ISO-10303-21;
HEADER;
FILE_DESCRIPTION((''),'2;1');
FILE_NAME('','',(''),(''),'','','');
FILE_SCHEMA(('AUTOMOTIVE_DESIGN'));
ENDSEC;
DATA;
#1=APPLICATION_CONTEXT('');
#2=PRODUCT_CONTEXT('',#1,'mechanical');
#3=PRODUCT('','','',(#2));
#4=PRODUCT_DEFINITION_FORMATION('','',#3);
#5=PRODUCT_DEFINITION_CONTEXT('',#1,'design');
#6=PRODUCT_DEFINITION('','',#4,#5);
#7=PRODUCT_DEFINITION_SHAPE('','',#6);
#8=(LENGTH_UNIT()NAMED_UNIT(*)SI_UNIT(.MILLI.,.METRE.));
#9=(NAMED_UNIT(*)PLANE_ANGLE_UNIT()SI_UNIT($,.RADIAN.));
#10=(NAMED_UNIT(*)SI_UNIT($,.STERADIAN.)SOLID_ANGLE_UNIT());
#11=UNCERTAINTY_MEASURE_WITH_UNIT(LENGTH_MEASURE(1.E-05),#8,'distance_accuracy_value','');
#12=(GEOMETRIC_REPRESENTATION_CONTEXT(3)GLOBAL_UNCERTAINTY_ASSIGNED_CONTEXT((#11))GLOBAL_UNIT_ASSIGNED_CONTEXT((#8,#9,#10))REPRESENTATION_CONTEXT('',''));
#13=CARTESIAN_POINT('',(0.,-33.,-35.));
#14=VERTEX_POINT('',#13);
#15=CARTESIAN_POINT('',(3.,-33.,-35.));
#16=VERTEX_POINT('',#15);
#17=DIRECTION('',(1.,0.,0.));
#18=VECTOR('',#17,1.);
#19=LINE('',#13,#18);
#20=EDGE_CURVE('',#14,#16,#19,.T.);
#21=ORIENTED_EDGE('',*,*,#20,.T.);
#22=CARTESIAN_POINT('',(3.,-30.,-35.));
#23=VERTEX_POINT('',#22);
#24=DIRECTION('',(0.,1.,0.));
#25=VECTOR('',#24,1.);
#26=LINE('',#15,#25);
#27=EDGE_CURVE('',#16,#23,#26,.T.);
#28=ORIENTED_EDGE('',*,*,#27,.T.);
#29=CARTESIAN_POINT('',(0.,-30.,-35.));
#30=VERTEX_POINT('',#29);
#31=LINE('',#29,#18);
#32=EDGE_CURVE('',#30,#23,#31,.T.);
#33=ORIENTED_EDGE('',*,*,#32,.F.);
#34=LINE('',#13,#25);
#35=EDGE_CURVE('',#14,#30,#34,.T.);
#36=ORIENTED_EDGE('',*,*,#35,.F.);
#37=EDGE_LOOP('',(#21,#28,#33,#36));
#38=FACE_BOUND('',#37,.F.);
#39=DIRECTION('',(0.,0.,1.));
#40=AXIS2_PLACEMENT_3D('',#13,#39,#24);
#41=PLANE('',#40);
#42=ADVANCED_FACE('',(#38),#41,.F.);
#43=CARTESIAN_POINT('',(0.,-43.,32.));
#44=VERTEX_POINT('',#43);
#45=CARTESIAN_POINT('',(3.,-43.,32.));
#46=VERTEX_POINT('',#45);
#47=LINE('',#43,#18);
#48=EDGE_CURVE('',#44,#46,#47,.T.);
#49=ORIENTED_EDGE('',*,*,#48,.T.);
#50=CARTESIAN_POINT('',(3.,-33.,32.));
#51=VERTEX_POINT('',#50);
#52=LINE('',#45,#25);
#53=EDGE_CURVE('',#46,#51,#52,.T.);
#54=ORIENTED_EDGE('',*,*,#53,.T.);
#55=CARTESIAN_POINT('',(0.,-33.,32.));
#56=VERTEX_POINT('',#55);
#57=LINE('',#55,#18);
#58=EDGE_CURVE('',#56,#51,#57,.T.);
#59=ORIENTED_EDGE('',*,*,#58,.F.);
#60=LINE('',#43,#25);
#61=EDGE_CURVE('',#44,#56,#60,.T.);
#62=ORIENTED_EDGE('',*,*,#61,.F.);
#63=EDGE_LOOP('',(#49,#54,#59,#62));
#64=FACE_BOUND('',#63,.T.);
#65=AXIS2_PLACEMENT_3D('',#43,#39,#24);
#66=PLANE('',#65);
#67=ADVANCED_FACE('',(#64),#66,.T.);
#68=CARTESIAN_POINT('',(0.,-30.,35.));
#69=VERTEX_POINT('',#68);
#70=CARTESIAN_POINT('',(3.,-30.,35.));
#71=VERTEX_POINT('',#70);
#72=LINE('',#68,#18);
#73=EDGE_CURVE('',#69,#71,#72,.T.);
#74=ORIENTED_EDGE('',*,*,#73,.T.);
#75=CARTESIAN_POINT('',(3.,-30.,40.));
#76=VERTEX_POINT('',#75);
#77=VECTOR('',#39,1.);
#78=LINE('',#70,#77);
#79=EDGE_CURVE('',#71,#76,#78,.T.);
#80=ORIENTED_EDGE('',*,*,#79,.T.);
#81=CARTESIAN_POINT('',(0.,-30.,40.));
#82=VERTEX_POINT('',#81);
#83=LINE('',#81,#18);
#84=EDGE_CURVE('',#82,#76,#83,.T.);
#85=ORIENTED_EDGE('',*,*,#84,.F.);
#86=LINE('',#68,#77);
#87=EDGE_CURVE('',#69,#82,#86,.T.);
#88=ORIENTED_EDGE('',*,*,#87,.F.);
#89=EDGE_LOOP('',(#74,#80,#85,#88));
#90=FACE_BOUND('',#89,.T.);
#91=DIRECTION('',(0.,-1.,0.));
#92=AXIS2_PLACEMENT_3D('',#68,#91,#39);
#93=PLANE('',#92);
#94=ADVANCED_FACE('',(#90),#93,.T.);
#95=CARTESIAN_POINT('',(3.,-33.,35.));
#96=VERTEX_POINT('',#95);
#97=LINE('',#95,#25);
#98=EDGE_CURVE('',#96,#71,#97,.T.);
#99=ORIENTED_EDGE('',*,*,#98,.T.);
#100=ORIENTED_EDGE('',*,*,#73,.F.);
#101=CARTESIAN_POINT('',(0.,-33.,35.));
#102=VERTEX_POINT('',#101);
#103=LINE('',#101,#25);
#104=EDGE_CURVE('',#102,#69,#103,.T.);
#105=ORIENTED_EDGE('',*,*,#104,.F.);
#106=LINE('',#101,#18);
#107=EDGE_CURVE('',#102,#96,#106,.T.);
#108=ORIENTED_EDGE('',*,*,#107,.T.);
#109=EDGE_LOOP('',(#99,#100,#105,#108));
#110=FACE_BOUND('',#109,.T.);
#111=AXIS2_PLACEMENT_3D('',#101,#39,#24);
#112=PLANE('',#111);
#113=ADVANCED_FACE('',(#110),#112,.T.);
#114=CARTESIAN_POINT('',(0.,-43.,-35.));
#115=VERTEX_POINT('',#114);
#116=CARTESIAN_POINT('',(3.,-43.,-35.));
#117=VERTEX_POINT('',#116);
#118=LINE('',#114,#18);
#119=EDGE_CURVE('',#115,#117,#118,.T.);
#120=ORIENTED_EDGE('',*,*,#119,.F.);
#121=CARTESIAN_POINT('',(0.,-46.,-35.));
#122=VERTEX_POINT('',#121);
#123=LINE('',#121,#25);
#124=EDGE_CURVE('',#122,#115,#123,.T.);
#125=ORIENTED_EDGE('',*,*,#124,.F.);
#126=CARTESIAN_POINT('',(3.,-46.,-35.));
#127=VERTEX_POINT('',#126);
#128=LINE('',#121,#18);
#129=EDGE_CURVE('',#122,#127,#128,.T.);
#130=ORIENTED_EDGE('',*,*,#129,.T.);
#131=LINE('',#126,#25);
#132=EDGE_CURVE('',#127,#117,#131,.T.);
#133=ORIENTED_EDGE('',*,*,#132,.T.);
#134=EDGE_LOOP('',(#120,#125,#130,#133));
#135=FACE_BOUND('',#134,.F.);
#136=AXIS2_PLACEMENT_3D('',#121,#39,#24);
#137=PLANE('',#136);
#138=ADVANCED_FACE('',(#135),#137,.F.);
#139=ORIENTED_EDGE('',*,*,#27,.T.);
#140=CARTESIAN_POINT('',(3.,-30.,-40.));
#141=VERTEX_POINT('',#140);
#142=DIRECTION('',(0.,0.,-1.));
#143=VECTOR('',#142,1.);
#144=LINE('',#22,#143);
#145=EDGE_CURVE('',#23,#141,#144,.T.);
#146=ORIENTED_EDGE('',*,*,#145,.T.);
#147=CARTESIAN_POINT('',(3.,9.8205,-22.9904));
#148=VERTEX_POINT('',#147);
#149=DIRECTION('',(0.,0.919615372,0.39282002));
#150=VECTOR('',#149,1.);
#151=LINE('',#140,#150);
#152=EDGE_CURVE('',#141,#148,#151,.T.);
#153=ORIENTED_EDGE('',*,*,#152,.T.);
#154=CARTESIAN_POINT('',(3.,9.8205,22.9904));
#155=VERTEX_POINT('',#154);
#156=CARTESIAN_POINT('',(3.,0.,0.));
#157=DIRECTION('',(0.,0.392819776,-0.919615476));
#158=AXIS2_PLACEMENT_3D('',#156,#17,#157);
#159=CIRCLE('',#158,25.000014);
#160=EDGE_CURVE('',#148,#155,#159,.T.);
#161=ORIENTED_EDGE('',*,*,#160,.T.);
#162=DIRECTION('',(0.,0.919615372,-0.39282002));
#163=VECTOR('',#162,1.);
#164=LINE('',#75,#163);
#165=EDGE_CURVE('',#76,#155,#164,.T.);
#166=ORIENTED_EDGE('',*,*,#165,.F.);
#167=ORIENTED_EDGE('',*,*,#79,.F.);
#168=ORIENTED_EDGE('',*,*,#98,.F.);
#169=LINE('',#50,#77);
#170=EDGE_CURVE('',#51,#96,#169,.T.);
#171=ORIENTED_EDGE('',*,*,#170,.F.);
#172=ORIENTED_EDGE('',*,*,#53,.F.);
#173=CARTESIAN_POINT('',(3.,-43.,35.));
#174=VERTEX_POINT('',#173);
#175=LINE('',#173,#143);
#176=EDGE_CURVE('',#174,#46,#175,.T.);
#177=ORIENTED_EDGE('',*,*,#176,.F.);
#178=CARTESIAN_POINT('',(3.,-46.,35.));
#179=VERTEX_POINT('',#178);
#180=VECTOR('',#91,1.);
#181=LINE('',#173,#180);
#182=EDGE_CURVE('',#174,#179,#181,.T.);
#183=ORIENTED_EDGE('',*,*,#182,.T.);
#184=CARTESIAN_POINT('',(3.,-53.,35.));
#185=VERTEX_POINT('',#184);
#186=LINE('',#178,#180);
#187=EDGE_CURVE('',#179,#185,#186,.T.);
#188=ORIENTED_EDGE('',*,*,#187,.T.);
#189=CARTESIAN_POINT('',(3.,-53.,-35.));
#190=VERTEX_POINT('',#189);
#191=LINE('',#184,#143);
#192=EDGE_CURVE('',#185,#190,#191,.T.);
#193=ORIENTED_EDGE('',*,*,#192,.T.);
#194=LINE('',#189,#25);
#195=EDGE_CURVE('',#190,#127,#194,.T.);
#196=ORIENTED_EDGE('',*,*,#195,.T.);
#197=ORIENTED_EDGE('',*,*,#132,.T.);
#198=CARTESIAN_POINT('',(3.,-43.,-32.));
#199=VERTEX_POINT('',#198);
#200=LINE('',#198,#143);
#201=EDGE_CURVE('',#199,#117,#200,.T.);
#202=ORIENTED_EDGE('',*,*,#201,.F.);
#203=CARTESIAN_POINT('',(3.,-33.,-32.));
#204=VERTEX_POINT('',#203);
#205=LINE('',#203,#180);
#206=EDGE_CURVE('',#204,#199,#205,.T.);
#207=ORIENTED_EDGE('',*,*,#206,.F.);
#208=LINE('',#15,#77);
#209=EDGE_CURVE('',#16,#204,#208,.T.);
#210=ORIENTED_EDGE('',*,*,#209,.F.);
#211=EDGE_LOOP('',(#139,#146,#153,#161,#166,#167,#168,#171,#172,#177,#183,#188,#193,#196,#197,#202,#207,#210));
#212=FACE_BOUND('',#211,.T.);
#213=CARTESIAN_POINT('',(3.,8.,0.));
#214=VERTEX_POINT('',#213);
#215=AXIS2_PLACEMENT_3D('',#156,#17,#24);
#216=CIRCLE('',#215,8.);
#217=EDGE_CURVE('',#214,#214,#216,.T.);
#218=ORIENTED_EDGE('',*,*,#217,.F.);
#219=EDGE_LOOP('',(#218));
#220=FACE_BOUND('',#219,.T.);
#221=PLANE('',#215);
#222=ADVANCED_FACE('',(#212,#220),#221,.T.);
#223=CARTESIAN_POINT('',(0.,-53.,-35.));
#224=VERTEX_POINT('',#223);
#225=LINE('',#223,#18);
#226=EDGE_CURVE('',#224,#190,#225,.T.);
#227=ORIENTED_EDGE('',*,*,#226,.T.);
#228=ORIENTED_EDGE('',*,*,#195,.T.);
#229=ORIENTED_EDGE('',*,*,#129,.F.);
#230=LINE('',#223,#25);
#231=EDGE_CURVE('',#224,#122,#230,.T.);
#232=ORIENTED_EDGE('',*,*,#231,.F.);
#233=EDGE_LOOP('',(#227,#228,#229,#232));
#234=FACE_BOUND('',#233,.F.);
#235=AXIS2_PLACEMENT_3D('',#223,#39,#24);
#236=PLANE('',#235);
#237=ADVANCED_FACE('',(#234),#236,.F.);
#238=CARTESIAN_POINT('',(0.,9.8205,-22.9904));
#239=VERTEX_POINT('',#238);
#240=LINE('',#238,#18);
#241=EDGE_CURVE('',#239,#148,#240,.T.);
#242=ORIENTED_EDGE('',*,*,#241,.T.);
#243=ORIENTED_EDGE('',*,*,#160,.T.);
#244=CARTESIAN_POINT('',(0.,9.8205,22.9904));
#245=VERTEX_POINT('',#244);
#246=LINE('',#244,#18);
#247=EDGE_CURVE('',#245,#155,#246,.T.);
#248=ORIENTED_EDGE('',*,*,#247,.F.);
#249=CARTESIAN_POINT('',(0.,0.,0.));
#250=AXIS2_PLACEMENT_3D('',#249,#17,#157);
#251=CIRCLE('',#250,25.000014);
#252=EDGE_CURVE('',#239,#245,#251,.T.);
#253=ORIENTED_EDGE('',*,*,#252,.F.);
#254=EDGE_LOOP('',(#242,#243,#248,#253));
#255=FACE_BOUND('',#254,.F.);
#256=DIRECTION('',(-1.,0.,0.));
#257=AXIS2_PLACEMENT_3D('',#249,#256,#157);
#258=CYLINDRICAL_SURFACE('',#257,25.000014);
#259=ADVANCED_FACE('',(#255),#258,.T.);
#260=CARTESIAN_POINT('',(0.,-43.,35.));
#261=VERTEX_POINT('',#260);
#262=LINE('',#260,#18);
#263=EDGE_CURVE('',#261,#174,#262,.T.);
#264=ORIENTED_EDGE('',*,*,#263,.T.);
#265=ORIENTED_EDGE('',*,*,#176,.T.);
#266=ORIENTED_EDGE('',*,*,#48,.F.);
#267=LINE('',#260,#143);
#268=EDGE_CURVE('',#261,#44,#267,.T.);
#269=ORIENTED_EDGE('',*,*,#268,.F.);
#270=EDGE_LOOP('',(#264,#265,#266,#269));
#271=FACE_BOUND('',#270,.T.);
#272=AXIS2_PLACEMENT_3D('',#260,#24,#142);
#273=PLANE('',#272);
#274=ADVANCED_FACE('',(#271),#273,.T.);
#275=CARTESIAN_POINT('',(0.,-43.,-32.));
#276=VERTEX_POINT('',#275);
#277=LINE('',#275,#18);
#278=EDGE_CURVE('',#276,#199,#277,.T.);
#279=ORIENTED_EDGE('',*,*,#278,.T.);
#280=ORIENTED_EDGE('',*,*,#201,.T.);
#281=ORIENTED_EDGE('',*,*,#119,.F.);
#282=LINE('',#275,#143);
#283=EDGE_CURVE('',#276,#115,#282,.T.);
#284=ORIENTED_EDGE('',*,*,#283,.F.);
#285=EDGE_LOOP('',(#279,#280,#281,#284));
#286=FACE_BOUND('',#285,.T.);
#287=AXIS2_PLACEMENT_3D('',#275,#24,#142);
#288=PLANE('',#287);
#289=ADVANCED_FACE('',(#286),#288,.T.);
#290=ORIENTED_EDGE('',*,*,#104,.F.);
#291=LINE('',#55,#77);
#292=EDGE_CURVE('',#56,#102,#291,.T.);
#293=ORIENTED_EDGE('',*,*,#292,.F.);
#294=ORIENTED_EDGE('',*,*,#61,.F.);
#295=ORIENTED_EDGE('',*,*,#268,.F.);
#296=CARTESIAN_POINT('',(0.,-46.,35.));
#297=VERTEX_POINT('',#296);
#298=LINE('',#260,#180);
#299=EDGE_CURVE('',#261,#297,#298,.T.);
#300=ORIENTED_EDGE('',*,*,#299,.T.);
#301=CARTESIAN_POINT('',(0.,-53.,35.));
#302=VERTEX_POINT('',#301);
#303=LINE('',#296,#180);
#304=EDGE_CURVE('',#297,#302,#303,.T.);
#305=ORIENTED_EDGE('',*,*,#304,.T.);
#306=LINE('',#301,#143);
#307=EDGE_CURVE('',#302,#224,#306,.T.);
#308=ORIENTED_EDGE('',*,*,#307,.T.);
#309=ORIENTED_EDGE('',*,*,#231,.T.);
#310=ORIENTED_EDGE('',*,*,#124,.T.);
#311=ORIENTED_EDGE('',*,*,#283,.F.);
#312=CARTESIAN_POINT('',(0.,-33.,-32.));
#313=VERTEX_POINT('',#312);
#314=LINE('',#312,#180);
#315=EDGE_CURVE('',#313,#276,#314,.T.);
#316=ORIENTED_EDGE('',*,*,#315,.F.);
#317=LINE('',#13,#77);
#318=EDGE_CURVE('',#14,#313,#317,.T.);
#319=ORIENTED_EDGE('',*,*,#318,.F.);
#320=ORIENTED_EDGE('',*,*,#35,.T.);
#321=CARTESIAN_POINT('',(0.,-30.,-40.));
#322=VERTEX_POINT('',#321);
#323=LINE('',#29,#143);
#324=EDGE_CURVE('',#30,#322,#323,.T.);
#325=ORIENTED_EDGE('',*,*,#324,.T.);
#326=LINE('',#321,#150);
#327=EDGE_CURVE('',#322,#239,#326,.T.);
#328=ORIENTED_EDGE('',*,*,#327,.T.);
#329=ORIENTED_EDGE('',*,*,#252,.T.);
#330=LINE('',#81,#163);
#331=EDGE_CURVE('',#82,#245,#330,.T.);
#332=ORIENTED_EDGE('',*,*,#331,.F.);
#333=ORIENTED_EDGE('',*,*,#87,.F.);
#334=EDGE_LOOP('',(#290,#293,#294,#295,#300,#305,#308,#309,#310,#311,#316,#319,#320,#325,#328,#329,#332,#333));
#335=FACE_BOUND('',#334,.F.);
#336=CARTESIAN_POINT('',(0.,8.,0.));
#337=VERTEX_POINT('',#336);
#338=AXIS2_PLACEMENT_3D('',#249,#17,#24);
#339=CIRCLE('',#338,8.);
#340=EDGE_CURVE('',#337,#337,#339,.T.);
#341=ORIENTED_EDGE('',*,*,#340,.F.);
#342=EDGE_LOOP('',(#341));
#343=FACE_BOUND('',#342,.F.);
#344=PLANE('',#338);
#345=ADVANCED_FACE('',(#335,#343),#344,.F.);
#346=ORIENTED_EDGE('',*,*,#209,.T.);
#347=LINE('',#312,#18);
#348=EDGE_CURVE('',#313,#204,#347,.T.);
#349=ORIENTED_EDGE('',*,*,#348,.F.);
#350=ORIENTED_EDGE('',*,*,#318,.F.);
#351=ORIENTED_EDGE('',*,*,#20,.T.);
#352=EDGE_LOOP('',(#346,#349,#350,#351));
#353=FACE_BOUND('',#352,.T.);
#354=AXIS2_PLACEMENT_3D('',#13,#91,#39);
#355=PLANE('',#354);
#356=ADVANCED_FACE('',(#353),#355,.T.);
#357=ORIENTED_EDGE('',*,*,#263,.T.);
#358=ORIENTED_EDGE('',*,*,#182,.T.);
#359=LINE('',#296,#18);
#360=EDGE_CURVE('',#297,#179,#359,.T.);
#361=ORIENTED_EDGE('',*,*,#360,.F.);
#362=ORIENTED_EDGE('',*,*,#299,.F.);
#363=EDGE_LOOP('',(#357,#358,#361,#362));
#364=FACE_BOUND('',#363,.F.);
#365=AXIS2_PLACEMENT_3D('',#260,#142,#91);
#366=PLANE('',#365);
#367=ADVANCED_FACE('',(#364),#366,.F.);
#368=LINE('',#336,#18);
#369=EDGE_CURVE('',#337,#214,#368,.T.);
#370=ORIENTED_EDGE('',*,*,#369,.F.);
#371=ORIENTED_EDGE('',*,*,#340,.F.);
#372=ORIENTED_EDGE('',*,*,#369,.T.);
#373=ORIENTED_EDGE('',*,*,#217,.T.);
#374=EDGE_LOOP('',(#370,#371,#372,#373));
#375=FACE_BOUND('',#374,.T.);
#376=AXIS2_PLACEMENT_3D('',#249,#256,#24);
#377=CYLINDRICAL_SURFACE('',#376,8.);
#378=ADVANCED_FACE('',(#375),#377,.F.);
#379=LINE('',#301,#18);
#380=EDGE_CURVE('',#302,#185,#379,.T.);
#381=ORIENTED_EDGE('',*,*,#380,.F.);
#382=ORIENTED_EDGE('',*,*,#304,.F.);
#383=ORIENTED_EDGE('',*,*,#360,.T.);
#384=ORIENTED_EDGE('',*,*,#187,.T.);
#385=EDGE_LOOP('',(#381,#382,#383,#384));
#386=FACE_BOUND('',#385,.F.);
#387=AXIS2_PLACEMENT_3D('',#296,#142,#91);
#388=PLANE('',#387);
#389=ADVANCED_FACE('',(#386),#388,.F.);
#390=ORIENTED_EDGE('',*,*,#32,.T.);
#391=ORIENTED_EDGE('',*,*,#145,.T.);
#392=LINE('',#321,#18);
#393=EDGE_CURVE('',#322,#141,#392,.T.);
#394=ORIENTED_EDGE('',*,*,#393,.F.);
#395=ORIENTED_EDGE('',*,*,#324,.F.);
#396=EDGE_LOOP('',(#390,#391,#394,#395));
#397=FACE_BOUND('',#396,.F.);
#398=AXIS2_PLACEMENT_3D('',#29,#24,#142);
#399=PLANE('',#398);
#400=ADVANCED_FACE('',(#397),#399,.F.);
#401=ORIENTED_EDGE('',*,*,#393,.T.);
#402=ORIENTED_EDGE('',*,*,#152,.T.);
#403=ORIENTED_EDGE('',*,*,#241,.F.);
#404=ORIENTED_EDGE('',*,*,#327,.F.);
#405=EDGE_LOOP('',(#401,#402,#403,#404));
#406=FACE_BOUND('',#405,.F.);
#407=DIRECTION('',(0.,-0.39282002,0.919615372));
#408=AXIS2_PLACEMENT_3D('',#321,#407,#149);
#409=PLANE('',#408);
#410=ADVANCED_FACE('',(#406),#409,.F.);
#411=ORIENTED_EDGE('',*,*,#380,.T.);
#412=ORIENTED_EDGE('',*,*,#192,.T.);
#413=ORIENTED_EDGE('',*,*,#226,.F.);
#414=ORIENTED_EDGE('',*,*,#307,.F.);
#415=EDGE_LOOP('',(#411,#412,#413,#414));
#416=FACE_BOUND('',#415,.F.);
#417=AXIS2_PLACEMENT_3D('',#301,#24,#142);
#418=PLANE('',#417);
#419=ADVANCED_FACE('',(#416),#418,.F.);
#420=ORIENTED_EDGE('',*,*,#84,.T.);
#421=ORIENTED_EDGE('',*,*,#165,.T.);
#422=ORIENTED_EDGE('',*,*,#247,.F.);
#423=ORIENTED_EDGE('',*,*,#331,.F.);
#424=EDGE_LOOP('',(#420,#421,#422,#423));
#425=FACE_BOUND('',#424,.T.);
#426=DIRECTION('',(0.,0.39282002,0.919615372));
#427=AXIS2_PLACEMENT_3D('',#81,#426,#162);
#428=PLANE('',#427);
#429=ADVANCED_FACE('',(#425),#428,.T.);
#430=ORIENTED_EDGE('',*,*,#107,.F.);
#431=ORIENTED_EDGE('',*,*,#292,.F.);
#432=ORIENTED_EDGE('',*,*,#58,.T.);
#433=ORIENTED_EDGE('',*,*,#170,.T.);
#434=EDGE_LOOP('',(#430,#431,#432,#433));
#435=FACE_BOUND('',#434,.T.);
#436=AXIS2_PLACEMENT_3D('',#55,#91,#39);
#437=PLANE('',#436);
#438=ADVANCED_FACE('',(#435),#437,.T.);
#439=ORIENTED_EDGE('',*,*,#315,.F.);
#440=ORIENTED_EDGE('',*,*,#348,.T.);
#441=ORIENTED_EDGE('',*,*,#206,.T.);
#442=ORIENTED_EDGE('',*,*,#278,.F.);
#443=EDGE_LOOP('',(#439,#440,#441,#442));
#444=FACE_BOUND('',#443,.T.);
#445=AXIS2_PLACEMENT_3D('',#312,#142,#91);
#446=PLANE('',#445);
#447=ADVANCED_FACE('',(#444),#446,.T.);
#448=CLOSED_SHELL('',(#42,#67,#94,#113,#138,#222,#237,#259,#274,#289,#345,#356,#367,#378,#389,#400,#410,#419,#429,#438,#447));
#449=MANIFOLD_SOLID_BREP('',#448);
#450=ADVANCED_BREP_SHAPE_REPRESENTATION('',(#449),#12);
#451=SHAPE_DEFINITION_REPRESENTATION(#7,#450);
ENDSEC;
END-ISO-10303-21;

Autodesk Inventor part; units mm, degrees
ref_plane "YZ Plane" through (0, 0, 0) normal (1, 0, 0) x (0, 1, 0)
ref_plane "XZ Plane" through (0, 0, 0) normal (0, 1, 0) x (-1, 0, 0)
ref_plane "XY Plane" through (0, 0, 0) normal (0, 0, 1) x (1, 0, 0)
sketch "Sketch1" plane through (0, 0, 0) normal (1, 0, 0) x (0, 1, 0)
  circle A0 centre (0, 0) radius 8
  arc A1 (-25, 0) -> (9.8205, -22.9904) centre (0, 0) ccw construction
  line L0 (0, 0) -> (-30, 0) construction
  line L1 (-30, 0) -> (-30, -35) construction
  line L2 (-30, -40) -> (9.8205, -22.9904)
  line L3 (-30, 0) -> (-30, 35) construction
  line L4 (-30, 40) -> (9.8205, 22.9904)
  line L5 (-30, 0) -> (-33, 0) construction
  line L6 (-33, 0) -> (-33, -35) construction
  line L7 (-33, -35) -> (-30, -35)
  line L8 (-33, 0) -> (-33, 32) construction
  line L9 (-33, 35) -> (-30, 35)
  line L10 (-33, 35) -> (-43, 35) construction
  line L11 (-43, 35) -> (-43, -32) construction
  line L12 (-43, -35) -> (-33, -35) construction
  line L13 (-33, -35) -> (-33, -32)
  line L14 (-33, 35) -> (-43, 35) construction
  line L15 (-43, 35) -> (-43, 32)
  line L16 (-43, 32) -> (-33, 32)
  line L17 (-33, 32) -> (-33, 35)
  line L18 (-43, -35) -> (-33, -35) construction
  line L19 (-33, -35) -> (-33, -32)
  line L20 (-33, -32) -> (-43, -32)
  line L21 (-43, -32) -> (-43, -35)
  line L22 (-43, 35) -> (-46, 35)
  line L23 (-46, 35) -> (-46, -35) construction
  line L24 (-46, -35) -> (-43, -35)
  line L25 (-43, -35) -> (-43, -32)
  arc A2 (9.8205, 22.9904) -> (-25, 0) centre (0, 0) ccw construction
  arc A3 (9.8205, -22.9904) -> (9.8205, 22.9904) centre (0, 0) ccw
  line L26 (-30, 35) -> (-30, 40)
  line L27 (-30, -35) -> (-30, -40)
  line L28 (-33, 32) -> (-33, 35)
  line L29 (-33, -32) -> (-33, 35) construction
  line L30 (-43, -32) -> (-43, -35)
  line L31 (-43, 32) -> (-43, 35)
  line L32 (-43, -32) -> (-43, 32) construction
  line L33 (-46, 35) -> (-53, 35)
  line L34 (-53, 35) -> (-53, -35)
  line L35 (-53, -35) -> (-46, -35)
  point P0 (-43, -25)
  dimension "d0" = 16
  dimension "d1" = 50
  dimension "d2" = 30
  dimension "d4" = 40
  dimension "d5" = 40
  dimension "d8" = 3
  dimension "d19" = 10
  dimension "d20" = 70
  dimension "d21" = 3
  dimension "d22" = 3
  dimension "d23" = 3
  dimension "d24" = 35
  dimension "d25" = 7
  dimension "d26" = 70
  dimension "d27" = 7
extrude "Extrusion1" add sketch "Sketch1" along normal blind 3
properties part number "baseSoporte2" material "PMMA Plastic"
